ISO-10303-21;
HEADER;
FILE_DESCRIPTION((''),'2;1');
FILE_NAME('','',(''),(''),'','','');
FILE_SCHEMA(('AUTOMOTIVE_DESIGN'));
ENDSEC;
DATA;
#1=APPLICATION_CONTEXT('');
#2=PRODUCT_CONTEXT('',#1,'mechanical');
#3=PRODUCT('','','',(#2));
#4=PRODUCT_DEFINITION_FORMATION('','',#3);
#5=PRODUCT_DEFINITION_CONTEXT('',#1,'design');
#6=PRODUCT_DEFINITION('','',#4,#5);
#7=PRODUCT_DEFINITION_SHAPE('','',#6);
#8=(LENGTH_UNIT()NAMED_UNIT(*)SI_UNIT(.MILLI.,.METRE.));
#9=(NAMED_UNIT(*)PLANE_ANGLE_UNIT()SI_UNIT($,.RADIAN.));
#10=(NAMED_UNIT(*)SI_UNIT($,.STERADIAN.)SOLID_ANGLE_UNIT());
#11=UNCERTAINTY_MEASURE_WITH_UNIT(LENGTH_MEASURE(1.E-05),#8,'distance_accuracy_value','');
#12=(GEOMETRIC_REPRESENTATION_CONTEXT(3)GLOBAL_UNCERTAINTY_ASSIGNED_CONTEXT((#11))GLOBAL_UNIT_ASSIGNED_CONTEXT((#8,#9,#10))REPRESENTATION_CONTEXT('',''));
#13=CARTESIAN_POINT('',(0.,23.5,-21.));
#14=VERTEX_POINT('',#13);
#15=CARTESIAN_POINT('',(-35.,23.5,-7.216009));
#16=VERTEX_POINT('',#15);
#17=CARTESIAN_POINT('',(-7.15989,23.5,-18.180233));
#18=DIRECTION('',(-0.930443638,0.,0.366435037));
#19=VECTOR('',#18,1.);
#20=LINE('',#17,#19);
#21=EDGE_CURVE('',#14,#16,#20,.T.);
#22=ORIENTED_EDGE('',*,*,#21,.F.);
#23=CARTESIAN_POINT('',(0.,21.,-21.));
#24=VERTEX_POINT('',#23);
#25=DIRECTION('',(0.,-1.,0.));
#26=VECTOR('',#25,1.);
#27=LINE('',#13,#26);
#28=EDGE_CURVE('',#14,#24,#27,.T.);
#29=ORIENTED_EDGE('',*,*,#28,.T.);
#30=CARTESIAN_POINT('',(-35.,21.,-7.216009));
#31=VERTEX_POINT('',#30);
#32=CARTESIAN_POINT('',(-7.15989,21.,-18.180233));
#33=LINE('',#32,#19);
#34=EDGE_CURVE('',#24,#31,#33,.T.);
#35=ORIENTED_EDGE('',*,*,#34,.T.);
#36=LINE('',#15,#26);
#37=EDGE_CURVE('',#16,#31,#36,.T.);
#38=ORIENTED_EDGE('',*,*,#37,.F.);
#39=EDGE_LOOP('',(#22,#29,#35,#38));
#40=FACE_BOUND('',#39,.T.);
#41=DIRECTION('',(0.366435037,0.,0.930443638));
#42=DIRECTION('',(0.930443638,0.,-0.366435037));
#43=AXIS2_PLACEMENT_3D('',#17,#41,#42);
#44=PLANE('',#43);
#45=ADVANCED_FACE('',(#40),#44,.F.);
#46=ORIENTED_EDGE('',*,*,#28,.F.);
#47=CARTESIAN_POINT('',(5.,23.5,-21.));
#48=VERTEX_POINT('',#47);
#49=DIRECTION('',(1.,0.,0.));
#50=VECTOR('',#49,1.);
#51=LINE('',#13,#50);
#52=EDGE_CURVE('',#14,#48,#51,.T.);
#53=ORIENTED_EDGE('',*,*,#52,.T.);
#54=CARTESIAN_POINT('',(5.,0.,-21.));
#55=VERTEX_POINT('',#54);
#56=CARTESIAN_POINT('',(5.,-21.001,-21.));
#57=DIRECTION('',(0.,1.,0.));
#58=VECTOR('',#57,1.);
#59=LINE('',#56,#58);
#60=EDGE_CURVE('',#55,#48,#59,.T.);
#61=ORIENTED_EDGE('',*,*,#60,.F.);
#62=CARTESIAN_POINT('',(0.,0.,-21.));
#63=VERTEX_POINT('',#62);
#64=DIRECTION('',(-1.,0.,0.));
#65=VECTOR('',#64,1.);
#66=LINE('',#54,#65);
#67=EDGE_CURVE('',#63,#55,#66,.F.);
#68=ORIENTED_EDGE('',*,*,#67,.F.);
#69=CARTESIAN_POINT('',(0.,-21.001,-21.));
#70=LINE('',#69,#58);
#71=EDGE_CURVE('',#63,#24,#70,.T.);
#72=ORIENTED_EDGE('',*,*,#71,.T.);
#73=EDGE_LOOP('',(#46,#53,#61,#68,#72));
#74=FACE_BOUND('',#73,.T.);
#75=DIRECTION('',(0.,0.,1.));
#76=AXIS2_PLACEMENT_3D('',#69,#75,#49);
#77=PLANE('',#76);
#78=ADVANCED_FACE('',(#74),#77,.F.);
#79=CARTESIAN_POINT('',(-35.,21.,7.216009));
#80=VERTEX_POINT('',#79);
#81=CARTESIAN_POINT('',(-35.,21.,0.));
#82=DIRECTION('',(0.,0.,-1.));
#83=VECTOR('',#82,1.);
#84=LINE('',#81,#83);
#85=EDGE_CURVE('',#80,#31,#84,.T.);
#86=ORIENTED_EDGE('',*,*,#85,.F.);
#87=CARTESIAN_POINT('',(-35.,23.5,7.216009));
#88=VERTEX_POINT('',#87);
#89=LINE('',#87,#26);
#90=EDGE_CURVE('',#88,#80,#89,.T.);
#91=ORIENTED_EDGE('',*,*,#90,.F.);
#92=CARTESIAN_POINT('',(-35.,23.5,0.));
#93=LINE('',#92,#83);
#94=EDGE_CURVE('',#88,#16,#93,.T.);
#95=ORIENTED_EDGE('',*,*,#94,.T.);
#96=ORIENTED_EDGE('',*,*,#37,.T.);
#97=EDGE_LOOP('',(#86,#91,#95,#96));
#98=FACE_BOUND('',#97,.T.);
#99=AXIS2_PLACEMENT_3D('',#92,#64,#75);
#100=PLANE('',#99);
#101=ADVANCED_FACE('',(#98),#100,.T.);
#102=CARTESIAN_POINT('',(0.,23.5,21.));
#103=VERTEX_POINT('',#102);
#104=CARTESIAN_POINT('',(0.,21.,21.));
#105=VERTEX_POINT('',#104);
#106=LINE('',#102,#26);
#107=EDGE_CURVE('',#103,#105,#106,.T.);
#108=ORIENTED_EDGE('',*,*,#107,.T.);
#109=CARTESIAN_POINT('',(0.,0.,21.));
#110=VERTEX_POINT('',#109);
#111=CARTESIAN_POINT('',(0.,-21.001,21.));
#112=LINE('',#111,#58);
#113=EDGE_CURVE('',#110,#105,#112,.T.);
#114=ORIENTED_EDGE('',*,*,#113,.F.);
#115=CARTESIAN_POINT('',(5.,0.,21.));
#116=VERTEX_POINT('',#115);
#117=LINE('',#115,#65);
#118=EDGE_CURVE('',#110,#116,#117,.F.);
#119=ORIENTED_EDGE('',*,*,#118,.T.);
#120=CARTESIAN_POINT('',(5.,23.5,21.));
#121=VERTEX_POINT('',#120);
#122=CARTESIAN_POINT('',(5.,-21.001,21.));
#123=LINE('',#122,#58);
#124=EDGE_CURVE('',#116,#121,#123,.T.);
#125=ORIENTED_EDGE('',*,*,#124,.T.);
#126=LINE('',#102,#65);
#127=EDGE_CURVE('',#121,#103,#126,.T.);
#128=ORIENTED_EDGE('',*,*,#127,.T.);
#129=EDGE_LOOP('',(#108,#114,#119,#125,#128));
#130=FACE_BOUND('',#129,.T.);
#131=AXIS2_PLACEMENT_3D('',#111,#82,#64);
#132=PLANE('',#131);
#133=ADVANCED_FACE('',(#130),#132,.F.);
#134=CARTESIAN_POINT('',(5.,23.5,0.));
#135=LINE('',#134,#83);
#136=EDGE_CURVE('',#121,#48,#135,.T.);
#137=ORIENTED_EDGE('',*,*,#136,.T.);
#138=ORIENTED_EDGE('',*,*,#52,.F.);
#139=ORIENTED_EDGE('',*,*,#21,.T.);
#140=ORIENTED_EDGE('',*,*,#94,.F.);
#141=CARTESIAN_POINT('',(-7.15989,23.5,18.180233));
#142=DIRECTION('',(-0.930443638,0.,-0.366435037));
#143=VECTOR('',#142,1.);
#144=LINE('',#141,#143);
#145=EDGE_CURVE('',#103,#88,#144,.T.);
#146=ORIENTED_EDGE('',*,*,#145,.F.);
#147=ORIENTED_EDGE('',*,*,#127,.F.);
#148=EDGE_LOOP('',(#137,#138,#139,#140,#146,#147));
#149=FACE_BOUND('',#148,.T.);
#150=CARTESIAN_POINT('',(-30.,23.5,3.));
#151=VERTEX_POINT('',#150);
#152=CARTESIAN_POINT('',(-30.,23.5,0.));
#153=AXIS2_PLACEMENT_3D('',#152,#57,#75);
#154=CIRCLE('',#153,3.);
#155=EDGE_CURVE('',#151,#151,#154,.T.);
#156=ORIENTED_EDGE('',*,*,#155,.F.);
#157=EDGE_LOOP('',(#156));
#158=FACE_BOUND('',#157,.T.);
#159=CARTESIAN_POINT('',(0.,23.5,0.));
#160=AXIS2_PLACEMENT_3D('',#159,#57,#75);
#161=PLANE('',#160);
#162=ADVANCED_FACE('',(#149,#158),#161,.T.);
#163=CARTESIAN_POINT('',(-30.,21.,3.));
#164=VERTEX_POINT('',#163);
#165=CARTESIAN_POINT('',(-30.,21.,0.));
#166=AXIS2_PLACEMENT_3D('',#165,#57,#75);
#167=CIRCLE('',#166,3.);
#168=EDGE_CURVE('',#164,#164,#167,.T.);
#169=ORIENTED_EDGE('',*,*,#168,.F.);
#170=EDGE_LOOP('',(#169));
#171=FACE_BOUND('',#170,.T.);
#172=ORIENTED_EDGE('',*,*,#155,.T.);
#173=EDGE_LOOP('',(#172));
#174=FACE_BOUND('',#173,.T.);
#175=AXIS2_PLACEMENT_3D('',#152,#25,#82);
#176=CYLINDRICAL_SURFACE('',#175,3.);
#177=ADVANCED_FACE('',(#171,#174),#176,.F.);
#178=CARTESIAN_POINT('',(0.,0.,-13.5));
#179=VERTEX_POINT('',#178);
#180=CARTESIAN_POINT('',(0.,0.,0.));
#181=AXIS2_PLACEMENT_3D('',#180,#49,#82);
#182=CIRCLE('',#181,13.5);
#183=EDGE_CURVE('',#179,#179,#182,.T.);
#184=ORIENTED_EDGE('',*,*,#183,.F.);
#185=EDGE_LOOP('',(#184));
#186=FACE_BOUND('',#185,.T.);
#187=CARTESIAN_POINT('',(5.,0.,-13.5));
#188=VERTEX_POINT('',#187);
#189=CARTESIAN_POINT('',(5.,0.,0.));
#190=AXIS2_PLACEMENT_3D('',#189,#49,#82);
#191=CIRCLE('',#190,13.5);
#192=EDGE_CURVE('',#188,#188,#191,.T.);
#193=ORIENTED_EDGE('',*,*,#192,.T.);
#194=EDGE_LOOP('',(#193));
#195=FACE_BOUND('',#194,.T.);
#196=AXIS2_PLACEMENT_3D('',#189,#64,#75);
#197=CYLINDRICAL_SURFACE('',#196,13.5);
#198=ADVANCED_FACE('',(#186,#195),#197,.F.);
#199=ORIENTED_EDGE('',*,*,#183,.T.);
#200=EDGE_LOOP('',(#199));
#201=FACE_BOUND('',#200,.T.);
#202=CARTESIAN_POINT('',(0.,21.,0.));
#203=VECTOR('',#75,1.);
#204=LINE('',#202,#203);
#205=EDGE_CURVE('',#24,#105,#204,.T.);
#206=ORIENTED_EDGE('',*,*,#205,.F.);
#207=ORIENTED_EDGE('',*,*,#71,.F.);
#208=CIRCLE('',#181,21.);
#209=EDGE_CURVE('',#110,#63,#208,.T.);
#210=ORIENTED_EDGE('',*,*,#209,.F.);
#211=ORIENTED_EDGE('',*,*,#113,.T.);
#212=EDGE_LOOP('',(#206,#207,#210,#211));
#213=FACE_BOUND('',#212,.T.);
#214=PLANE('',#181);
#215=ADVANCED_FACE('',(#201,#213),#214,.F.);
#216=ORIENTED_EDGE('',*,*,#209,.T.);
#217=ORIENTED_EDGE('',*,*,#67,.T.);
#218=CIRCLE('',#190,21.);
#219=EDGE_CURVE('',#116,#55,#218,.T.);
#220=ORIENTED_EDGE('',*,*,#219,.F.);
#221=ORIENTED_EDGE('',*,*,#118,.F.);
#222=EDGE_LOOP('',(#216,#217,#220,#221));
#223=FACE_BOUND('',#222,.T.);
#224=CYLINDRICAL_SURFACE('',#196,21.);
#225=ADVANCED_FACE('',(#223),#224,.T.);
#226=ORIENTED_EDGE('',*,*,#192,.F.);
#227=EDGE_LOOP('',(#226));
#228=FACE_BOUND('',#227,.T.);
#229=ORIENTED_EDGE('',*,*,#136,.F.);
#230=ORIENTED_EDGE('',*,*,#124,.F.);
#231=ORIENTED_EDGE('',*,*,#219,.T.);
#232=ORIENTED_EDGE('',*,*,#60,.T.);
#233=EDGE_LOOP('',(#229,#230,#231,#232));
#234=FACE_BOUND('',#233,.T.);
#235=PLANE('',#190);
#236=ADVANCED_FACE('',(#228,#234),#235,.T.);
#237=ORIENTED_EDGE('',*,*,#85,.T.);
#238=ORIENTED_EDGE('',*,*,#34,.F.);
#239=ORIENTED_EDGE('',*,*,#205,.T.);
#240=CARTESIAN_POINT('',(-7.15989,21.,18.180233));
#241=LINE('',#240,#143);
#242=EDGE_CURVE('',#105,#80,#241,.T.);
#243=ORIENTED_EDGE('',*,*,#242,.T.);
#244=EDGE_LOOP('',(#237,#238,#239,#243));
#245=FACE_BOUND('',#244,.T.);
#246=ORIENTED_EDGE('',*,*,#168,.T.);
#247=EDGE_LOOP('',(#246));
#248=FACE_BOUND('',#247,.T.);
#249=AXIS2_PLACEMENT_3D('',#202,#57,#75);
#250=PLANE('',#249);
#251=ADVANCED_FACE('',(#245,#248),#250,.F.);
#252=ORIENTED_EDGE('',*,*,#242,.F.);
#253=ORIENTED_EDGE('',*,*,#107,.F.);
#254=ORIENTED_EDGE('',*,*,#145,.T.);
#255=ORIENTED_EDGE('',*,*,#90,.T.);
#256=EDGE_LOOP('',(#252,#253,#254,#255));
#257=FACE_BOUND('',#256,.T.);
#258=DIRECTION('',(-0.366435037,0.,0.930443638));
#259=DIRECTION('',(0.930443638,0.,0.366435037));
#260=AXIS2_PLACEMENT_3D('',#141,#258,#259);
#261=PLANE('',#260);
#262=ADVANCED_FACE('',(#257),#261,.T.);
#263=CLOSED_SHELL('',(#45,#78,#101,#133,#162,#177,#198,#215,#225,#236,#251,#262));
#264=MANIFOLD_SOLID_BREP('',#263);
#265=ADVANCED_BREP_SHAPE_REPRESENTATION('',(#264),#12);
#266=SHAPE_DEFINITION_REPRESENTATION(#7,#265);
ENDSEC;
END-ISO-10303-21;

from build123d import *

# Parameters (mm, degrees)
SKETCH1_R                = 21
SKETCH1_R_2              = 13.5
BOSS_EXTRUDE1_DEPTH      = 5
BOSS_EXTRUDE2_REACH      = 49.223
BOSS_EXTRUDE2_END_RADIUS = 21
SKETCH2_W                = 5
SKETCH2_H                = 42
SKETCH2_3_W              = 40
SKETCH2_3_H              = 42
SKETCH2_3_R              = 3
BOSS_EXTRUDE3_DEPTH      = 2.5
CUT_EXTRUDE4_DEPTH       = 59.566201857


with BuildPart() as part:
    # Sketch1 → Boss-Extrude1 (new body)
    with BuildSketch(Plane(origin=(0, 0, 0), x_dir=(0, 0, -1), z_dir=(1, 0, 0))):
        Circle(SKETCH1_R)
        Circle(SKETCH1_R_2, mode=Mode.SUBTRACT)
    extrude(amount=BOSS_EXTRUDE1_DEPTH)

    # Boss-Extrude2: up to this cylinder (the profile starts outside it)
    boss_extrude2_end = Plane(origin=(2.5, 0, 0), z_dir=(-1, 0, 0)) * Cylinder(BOSS_EXTRUDE2_END_RADIUS, 141.446, mode=Mode.PRIVATE)
    # Sketch2 → Boss-Extrude2 (add, up to the surface)
    with BuildSketch(Plane(origin=(0, 21, 0), x_dir=(1, 0, 0), z_dir=(0, 1, 0)), mode=Mode.PRIVATE) as boss_extrude2_sk1:
        with Locations((2.5, 0)):
            Rectangle(SKETCH2_W, SKETCH2_H)
    boss_extrude2_tool1 = extrude(boss_extrude2_sk1.sketch, amount=-BOSS_EXTRUDE2_REACH, mode=Mode.PRIVATE) - boss_extrude2_end
    add(boss_extrude2_tool1.solids().sort_by_distance((2.5, 21, 0))[0])
    add(boss_extrude2_tool1.solids().sort_by_distance((2.5, 21, 0))[1])

    # Sketch2<3> → Boss-Extrude3 (add)
    with BuildSketch(Plane(origin=(0, 21, 0), x_dir=(1, 0, 0), z_dir=(0, 1, 0))):
        with Locations((-15, 0)):
            Rectangle(SKETCH2_3_W, SKETCH2_3_H)
        with Locations((-30, 0)):
            Circle(SKETCH2_3_R, mode=Mode.SUBTRACT)
    extrude(amount=BOSS_EXTRUDE3_DEPTH)

    # Sketch3 → Cut-Extrude4 (cut, through all)
    with BuildSketch(Plane.XZ.offset(-21)):
        Polygon((0, -21), (-35, -7.216009452), (-35, 7.216009452), (0, 21), (0, 27.25128432), (-40.763754419, 27.25128432), (-40.763754419, -28.471778575), (0, -28.471778575), align=None)
    extrude(amount=-CUT_EXTRUDE4_DEPTH, mode=Mode.SUBTRACT)


solid = part.part
